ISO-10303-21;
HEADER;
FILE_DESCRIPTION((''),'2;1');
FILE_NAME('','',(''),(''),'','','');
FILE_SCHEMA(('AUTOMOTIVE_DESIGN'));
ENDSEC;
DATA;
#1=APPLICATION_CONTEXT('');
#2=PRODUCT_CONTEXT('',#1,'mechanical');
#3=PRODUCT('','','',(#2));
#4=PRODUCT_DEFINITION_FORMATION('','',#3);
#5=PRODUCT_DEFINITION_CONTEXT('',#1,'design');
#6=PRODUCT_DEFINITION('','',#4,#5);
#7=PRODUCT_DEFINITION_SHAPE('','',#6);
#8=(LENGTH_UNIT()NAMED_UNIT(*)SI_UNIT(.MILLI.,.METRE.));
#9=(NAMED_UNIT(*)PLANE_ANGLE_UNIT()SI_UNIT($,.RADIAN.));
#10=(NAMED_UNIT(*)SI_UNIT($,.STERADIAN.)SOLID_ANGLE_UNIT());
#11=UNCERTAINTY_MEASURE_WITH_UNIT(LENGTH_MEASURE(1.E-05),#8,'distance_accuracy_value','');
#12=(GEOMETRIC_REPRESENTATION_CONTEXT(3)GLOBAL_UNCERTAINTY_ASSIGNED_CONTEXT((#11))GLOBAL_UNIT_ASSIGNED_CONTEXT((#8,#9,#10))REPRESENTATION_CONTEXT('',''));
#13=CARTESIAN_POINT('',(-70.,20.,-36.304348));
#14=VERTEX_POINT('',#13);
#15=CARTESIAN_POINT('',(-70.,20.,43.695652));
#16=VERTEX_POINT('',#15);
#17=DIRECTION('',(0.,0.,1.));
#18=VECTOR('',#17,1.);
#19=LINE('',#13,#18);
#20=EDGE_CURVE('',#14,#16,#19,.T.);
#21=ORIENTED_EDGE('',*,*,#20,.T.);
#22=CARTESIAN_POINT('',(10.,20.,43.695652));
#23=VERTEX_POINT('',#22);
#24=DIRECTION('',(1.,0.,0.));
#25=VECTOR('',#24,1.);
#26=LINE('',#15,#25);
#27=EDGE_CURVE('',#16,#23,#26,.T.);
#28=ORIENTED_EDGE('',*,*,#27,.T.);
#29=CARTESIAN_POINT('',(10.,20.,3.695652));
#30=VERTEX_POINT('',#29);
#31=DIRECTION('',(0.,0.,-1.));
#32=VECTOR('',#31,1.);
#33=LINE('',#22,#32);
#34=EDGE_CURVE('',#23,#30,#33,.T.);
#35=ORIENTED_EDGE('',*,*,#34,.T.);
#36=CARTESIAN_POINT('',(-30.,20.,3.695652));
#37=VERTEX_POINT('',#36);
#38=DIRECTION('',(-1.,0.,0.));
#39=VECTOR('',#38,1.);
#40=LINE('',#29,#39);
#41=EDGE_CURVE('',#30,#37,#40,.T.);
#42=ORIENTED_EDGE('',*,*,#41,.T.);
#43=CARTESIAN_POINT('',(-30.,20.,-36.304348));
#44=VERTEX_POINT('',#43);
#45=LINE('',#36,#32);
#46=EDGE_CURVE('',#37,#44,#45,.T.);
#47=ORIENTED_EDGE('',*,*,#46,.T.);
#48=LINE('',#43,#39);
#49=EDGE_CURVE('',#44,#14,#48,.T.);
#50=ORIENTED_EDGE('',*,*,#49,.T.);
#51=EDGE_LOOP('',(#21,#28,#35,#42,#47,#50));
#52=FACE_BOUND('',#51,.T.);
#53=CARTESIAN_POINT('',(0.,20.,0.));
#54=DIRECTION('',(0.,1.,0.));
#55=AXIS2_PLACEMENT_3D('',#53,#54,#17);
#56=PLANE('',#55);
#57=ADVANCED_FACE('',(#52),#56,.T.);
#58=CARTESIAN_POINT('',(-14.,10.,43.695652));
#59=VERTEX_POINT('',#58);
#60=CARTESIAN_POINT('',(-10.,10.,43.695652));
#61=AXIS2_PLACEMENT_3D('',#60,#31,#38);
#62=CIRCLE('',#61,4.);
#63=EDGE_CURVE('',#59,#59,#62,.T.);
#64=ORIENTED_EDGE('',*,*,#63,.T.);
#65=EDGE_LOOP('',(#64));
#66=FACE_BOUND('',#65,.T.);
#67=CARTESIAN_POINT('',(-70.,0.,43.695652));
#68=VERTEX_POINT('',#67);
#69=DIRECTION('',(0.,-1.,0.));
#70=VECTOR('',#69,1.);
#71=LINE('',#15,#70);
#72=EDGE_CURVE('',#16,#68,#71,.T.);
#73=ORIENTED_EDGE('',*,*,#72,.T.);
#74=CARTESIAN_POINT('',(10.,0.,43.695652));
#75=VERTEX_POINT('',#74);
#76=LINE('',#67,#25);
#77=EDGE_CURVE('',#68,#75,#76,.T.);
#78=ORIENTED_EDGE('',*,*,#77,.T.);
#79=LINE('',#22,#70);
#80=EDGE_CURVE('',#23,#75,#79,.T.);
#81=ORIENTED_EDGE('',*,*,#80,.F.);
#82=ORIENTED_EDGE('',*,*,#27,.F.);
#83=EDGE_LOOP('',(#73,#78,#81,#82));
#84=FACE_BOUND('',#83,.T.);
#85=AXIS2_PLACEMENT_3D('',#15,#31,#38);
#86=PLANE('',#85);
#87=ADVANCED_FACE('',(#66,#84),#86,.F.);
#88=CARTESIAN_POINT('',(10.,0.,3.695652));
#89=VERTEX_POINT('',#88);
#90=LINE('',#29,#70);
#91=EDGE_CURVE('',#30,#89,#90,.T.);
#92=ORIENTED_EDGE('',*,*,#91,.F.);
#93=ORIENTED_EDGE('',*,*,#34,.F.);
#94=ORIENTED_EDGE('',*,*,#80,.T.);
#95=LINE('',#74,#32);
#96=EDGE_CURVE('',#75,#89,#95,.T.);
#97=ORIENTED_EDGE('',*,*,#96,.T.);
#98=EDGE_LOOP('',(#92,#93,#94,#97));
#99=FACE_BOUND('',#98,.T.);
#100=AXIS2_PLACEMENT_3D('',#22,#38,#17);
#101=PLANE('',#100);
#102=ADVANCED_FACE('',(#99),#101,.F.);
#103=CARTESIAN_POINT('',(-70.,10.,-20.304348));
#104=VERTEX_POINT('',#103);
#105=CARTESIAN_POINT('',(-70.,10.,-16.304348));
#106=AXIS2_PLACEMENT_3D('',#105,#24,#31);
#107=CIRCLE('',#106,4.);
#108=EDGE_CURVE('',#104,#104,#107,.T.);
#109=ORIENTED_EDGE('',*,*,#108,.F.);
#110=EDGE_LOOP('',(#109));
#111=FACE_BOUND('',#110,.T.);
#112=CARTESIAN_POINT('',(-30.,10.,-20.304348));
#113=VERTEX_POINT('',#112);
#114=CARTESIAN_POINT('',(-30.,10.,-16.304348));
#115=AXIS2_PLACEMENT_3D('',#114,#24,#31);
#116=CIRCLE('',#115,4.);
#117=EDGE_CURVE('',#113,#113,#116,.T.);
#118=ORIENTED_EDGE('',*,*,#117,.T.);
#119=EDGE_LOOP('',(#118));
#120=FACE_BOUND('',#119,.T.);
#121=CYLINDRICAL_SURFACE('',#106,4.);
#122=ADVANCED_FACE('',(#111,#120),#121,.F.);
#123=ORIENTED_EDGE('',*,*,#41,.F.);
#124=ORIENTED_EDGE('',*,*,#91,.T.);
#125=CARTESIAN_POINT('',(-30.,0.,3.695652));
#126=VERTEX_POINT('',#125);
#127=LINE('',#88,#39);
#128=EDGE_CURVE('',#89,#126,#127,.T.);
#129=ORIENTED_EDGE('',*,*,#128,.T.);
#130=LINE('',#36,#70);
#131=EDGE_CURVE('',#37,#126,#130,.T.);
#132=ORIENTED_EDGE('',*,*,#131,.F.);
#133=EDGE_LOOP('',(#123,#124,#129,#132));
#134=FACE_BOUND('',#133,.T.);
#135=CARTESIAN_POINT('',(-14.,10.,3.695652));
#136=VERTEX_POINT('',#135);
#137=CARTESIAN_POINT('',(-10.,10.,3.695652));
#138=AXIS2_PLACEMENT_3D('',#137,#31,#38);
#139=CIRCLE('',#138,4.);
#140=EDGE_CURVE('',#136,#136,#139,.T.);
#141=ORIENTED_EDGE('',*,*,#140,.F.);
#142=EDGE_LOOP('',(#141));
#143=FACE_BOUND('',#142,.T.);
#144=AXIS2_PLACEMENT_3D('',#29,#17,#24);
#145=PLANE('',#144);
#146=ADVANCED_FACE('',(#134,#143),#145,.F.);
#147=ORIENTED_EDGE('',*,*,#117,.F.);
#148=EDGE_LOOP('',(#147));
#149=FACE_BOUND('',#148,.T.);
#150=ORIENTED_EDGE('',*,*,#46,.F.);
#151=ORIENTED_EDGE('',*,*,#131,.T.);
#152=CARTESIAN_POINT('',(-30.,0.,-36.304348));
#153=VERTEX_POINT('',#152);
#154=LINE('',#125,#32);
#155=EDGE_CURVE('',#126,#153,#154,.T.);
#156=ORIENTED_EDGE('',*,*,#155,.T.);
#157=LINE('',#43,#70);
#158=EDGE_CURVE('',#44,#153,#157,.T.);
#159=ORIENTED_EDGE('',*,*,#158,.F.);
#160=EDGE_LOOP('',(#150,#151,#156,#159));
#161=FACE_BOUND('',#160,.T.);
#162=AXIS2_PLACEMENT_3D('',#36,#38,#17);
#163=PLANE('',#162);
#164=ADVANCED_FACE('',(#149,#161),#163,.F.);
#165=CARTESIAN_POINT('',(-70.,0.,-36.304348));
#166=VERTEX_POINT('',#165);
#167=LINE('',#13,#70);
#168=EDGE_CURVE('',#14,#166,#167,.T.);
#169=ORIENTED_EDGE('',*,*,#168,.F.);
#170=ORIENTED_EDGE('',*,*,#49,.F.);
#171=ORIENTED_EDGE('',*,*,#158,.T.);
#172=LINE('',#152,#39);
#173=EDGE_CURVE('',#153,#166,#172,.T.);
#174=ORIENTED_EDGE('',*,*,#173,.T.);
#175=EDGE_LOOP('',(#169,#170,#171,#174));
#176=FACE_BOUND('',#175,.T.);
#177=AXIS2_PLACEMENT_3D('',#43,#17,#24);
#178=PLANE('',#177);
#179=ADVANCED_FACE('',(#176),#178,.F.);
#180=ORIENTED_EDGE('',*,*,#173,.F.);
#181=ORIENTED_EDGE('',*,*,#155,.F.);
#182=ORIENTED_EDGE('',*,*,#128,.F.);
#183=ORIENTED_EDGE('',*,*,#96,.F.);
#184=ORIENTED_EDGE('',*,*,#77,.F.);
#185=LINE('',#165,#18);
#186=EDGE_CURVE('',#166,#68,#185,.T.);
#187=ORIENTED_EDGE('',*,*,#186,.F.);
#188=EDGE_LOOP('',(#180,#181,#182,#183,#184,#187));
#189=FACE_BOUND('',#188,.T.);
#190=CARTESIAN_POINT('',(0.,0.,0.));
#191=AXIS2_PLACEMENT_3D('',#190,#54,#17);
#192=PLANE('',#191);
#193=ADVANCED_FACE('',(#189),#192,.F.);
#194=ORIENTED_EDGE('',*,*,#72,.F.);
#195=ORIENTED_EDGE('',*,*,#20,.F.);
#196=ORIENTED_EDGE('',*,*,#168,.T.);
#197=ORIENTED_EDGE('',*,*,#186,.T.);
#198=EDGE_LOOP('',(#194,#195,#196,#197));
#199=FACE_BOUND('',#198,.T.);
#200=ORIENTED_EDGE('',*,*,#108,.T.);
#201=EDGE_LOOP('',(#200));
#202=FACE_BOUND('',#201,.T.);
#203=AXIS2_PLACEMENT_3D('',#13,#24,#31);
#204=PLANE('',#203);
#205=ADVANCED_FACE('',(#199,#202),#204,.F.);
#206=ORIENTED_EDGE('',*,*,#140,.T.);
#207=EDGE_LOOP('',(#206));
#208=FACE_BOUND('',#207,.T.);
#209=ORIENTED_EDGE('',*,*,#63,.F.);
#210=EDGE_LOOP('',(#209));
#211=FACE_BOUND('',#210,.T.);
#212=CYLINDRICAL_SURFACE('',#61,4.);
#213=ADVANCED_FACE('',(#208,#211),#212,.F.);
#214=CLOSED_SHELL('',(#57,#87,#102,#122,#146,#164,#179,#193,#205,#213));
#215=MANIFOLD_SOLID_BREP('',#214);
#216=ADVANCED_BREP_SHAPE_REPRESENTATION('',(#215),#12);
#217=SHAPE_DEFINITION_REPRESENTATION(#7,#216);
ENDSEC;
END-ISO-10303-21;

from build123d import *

# Parameters (mm, degrees)
RESSALTO_EXTRUS_O1_DEPTH = 20
ESBO_O3_R                = 4
CORTE_EXTRUS_O1_DEPTH    = 63.524475359
ESBO_O4_R                = 4
CORTE_EXTRUS_O2_DEPTH    = 84.066238629


with BuildPart() as part:
    # Esboço1 → Ressalto-extrusão1 (new body)
    with BuildSketch(Plane(origin=(0, 0, 0), x_dir=(1, 0, 0), z_dir=(0, 1, 0))):
        Polygon((-70, 36.304347826), (-70, -43.695652174), (10, -43.695652174), (10, -3.695652174), (-30, -3.695652174), (-30, 36.304347826), align=None)
    extrude(amount=RESSALTO_EXTRUS_O1_DEPTH)

    # Esboço3 → Corte-extrusão1 (cut, through all)
    with BuildSketch(Plane(origin=(-30, 0, 0), x_dir=(0, 0, -1), z_dir=(1, 0, 0))):
        with Locations((16.304347826, 10)):
            Circle(ESBO_O3_R)
    extrude(amount=-CORTE_EXTRUS_O1_DEPTH, mode=Mode.SUBTRACT)

    # Esboço4 → Corte-extrusão2 (cut, through all)
    with BuildSketch(Plane(origin=(0, 0, 3.695652174), x_dir=(-1, 0, 0), z_dir=(0, 0, -1))):
        with Locations((10, 10)):
            Circle(ESBO_O4_R)
    extrude(amount=-CORTE_EXTRUS_O2_DEPTH, mode=Mode.SUBTRACT)


solid = part.part
